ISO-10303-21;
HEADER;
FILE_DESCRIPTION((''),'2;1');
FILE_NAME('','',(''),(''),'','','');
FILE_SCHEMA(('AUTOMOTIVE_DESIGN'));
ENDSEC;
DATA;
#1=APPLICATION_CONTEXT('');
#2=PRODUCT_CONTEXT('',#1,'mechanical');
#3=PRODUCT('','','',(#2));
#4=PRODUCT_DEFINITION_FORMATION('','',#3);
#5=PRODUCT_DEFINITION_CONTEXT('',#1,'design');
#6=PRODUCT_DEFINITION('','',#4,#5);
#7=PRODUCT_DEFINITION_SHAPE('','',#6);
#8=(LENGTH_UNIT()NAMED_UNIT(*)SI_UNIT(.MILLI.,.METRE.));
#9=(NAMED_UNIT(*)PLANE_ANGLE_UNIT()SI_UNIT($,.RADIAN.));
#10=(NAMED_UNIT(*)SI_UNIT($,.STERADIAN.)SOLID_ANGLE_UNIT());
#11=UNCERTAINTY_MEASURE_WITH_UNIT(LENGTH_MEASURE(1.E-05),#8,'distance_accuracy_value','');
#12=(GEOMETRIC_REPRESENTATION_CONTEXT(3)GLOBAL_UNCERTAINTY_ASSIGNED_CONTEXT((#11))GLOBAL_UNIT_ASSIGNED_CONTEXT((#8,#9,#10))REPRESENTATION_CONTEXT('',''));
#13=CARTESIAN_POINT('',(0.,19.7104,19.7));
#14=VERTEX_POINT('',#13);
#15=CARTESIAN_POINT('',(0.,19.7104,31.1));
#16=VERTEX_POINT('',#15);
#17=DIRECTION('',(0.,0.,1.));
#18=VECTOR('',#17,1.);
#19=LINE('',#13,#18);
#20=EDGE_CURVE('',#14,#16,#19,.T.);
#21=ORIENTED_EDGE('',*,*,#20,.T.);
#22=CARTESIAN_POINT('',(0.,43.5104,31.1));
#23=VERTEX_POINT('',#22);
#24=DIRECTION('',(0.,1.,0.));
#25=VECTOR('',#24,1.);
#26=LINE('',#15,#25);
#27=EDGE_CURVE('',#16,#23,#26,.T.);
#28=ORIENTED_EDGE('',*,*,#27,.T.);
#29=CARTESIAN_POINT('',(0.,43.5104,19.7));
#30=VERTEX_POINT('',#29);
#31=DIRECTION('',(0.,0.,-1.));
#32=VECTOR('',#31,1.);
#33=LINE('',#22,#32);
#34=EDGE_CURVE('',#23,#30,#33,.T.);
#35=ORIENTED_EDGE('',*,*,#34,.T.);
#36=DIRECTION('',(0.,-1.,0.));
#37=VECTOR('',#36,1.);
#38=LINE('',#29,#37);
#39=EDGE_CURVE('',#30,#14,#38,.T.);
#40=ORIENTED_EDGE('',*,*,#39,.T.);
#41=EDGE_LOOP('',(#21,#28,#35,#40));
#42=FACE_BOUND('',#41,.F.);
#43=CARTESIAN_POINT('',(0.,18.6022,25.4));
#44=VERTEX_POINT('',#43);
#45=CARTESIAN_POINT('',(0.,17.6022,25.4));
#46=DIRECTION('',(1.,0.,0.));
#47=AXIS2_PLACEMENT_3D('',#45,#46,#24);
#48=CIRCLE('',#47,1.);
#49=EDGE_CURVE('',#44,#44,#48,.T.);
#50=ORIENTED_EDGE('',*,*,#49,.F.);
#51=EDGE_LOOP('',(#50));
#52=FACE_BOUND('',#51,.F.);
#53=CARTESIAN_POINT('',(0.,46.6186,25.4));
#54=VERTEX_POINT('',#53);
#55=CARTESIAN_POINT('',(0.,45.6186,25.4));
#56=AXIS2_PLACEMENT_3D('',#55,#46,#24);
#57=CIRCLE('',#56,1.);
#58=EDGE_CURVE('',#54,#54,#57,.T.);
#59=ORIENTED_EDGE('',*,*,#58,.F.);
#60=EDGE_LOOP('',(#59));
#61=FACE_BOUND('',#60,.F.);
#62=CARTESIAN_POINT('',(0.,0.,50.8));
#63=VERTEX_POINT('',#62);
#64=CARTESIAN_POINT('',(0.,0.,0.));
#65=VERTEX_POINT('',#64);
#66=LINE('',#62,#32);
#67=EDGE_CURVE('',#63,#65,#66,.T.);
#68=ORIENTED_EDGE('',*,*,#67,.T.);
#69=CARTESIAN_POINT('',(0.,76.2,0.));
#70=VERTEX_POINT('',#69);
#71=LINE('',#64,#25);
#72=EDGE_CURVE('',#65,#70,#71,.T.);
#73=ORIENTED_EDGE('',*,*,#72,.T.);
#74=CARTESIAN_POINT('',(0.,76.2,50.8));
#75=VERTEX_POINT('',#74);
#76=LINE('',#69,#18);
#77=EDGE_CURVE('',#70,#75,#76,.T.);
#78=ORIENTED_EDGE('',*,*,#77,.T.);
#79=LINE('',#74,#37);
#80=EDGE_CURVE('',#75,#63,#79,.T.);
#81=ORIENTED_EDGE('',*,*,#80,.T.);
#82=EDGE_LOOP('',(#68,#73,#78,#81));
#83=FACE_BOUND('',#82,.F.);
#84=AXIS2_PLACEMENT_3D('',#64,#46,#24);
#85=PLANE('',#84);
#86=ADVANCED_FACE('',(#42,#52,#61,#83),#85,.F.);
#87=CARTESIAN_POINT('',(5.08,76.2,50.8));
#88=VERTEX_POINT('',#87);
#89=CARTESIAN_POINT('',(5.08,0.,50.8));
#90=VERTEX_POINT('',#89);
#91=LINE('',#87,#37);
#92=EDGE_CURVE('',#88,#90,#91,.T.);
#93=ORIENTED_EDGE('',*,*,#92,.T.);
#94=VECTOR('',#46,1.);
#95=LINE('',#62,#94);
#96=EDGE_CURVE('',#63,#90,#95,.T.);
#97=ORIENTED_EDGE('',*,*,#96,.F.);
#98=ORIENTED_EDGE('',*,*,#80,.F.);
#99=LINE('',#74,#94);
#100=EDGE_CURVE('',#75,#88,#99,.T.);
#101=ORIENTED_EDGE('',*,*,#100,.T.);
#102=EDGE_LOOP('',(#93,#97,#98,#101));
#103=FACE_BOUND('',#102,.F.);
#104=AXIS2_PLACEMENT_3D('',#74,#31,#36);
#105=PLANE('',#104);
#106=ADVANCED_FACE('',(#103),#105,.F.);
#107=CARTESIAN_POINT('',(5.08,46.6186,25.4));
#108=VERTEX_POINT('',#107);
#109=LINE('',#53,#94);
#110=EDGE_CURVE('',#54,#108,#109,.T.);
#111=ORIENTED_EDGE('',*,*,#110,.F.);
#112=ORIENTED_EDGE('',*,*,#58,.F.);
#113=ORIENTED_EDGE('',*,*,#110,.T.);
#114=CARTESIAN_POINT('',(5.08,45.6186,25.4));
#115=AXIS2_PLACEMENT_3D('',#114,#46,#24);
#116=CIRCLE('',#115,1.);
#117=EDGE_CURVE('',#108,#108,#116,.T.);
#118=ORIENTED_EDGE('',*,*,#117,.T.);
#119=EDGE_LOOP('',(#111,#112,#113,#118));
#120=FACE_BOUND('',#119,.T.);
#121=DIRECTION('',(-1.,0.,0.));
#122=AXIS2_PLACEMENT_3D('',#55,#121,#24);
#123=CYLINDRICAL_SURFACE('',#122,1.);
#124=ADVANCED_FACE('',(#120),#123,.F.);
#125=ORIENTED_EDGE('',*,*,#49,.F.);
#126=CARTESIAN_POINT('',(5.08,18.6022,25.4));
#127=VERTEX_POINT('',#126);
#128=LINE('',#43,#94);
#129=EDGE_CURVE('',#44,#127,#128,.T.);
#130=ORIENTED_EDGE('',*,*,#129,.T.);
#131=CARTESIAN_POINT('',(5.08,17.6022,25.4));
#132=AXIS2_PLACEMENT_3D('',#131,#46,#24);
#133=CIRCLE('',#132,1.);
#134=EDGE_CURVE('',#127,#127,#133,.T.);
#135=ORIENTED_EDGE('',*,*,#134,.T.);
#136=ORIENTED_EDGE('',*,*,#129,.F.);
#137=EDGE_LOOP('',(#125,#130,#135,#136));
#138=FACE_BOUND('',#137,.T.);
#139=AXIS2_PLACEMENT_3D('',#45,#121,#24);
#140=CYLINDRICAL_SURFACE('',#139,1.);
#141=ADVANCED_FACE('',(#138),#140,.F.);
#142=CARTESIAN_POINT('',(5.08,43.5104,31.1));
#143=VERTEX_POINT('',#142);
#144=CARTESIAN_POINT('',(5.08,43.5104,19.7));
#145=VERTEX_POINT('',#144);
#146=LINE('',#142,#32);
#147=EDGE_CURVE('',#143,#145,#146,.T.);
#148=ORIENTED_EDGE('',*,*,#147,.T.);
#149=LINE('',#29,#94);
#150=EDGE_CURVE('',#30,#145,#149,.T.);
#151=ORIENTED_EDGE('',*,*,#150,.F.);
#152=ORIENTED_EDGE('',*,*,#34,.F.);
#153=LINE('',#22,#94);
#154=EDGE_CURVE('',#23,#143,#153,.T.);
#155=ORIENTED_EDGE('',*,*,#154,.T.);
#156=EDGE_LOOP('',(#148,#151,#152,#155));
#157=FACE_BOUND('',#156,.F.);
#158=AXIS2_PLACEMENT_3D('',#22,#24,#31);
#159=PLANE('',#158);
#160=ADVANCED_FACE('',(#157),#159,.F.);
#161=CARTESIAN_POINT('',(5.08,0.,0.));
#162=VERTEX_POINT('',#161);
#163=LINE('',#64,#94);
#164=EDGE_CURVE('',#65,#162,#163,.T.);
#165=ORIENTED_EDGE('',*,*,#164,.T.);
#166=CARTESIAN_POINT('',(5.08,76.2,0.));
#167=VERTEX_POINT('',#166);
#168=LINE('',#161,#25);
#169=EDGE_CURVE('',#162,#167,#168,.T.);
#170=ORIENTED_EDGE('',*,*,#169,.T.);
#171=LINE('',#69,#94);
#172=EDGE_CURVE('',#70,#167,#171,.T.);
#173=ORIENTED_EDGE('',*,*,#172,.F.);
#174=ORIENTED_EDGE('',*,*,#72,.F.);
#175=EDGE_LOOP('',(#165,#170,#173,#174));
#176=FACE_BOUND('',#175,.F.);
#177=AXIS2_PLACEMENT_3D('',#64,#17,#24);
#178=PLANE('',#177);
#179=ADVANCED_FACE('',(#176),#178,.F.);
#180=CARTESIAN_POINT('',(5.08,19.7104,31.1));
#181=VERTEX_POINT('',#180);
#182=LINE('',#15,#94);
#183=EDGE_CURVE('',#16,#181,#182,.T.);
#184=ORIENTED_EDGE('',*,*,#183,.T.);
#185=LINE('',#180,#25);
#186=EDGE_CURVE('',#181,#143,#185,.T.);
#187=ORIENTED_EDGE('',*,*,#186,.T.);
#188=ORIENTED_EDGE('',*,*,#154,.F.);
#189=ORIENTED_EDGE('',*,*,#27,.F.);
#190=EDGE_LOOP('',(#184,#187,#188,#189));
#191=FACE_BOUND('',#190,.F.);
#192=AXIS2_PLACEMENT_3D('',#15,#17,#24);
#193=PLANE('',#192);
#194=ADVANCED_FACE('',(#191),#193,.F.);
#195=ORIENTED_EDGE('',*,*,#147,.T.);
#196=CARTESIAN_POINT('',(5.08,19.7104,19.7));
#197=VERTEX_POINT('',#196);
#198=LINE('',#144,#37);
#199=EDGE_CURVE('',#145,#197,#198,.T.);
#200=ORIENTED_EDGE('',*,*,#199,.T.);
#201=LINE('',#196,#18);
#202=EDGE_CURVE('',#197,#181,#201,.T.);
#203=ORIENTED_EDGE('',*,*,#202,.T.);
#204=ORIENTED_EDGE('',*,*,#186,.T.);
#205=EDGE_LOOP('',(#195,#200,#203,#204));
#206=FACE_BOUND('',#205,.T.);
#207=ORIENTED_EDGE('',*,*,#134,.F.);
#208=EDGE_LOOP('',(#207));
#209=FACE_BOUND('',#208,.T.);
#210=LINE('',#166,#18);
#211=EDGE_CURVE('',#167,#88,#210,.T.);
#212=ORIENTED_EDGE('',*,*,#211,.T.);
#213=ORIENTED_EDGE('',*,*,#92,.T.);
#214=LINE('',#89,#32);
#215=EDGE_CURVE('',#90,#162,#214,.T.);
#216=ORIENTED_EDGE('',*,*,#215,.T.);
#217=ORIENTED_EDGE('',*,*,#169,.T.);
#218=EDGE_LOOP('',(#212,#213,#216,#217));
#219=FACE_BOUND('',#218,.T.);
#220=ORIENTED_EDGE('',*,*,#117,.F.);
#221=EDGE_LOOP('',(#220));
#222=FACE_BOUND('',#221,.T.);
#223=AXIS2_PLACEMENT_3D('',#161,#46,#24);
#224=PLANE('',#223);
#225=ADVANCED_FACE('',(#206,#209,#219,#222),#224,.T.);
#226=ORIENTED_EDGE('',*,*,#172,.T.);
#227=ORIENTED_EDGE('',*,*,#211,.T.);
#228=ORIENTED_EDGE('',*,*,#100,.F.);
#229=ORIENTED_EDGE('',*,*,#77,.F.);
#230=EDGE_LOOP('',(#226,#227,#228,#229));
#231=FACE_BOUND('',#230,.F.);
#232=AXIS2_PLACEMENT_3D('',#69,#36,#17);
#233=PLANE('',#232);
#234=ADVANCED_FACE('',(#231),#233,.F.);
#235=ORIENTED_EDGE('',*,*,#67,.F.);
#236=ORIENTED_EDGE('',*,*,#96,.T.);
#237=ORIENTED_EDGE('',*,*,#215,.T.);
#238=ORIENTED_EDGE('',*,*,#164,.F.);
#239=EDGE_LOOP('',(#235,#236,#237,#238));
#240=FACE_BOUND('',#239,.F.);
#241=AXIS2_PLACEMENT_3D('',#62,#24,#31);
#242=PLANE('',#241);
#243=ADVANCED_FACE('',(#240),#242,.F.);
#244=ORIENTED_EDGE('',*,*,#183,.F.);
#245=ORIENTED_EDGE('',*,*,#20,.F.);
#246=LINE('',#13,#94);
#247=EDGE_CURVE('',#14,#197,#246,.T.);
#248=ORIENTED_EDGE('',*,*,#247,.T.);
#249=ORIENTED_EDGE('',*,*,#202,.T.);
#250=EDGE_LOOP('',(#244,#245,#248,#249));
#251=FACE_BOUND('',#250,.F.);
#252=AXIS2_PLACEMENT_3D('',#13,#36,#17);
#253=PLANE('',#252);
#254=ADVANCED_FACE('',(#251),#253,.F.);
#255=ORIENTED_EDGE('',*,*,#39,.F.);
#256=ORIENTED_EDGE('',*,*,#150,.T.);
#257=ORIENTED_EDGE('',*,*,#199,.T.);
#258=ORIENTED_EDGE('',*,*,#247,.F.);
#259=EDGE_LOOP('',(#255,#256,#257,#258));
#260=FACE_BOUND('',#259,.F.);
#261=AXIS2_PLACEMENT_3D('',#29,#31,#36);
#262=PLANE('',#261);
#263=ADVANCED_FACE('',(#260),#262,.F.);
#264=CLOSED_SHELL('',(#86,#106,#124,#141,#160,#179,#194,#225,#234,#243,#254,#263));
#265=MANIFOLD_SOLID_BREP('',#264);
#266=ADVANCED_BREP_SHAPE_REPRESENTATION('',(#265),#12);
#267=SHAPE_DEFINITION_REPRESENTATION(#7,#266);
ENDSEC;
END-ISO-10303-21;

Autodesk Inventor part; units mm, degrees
ref_plane "YZ Plane" through (0, 0, 0) normal (1, 0, 0) x (0, 1, 0)
ref_plane "XZ Plane" through (0, 0, 0) normal (0, 1, 0) x (-1, 0, 0)
ref_plane "XY Plane" through (0, 0, 0) normal (0, 0, 1) x (1, 0, 0)
sketch "Sketch1" plane through (0, 0, 0) normal (1, 0, 0) x (0, 1, 0)
  line L0 (0, 0) -> (76.2, 0)
  line L1 (76.2, 0) -> (76.2, 50.8)
  line L2 (76.2, 50.8) -> (0, 50.8)
  line L3 (0, 50.8) -> (0, 0)
  line L4 (0, 25.4) -> (76.2, 25.4) construction
  circle A0 centre (25.4, 25.4) radius 3.81
  line L5 (43.5104, 25.4) -> (19.7104, 25.4) construction
  line L6 (19.7104, 19.7) -> (19.7104, 31.1)
  line L7 (19.7104, 31.1) -> (43.5104, 31.1)
  line L8 (43.5104, 31.1) -> (43.5104, 19.7)
  line L9 (43.5104, 19.7) -> (19.7104, 19.7)
  line L10 (31.6104, 19.7) -> (31.6104, 31.1) construction
  circle A1 centre (17.6022, 25.4) radius 1
  circle A2 centre (45.6186, 25.4) radius 1
  line L11 (25.4, 19.7) -> (25.4, 31.1) construction
  dimension "d0" = 76.2
  dimension "d1" = 50.8
  dimension "d2" = 23.8
  dimension "d3" = 11.4
  dimension "d4" = 2
  dimension "d5" = 2.1082
  dimension "d6" = 5.6896
  dimension "d7" = 25.4
extrude "Extrusion1" add sketch "Sketch1" along normal blind 5.08 contours L3 L2 L1 L0
properties part number "gripper_servo"
